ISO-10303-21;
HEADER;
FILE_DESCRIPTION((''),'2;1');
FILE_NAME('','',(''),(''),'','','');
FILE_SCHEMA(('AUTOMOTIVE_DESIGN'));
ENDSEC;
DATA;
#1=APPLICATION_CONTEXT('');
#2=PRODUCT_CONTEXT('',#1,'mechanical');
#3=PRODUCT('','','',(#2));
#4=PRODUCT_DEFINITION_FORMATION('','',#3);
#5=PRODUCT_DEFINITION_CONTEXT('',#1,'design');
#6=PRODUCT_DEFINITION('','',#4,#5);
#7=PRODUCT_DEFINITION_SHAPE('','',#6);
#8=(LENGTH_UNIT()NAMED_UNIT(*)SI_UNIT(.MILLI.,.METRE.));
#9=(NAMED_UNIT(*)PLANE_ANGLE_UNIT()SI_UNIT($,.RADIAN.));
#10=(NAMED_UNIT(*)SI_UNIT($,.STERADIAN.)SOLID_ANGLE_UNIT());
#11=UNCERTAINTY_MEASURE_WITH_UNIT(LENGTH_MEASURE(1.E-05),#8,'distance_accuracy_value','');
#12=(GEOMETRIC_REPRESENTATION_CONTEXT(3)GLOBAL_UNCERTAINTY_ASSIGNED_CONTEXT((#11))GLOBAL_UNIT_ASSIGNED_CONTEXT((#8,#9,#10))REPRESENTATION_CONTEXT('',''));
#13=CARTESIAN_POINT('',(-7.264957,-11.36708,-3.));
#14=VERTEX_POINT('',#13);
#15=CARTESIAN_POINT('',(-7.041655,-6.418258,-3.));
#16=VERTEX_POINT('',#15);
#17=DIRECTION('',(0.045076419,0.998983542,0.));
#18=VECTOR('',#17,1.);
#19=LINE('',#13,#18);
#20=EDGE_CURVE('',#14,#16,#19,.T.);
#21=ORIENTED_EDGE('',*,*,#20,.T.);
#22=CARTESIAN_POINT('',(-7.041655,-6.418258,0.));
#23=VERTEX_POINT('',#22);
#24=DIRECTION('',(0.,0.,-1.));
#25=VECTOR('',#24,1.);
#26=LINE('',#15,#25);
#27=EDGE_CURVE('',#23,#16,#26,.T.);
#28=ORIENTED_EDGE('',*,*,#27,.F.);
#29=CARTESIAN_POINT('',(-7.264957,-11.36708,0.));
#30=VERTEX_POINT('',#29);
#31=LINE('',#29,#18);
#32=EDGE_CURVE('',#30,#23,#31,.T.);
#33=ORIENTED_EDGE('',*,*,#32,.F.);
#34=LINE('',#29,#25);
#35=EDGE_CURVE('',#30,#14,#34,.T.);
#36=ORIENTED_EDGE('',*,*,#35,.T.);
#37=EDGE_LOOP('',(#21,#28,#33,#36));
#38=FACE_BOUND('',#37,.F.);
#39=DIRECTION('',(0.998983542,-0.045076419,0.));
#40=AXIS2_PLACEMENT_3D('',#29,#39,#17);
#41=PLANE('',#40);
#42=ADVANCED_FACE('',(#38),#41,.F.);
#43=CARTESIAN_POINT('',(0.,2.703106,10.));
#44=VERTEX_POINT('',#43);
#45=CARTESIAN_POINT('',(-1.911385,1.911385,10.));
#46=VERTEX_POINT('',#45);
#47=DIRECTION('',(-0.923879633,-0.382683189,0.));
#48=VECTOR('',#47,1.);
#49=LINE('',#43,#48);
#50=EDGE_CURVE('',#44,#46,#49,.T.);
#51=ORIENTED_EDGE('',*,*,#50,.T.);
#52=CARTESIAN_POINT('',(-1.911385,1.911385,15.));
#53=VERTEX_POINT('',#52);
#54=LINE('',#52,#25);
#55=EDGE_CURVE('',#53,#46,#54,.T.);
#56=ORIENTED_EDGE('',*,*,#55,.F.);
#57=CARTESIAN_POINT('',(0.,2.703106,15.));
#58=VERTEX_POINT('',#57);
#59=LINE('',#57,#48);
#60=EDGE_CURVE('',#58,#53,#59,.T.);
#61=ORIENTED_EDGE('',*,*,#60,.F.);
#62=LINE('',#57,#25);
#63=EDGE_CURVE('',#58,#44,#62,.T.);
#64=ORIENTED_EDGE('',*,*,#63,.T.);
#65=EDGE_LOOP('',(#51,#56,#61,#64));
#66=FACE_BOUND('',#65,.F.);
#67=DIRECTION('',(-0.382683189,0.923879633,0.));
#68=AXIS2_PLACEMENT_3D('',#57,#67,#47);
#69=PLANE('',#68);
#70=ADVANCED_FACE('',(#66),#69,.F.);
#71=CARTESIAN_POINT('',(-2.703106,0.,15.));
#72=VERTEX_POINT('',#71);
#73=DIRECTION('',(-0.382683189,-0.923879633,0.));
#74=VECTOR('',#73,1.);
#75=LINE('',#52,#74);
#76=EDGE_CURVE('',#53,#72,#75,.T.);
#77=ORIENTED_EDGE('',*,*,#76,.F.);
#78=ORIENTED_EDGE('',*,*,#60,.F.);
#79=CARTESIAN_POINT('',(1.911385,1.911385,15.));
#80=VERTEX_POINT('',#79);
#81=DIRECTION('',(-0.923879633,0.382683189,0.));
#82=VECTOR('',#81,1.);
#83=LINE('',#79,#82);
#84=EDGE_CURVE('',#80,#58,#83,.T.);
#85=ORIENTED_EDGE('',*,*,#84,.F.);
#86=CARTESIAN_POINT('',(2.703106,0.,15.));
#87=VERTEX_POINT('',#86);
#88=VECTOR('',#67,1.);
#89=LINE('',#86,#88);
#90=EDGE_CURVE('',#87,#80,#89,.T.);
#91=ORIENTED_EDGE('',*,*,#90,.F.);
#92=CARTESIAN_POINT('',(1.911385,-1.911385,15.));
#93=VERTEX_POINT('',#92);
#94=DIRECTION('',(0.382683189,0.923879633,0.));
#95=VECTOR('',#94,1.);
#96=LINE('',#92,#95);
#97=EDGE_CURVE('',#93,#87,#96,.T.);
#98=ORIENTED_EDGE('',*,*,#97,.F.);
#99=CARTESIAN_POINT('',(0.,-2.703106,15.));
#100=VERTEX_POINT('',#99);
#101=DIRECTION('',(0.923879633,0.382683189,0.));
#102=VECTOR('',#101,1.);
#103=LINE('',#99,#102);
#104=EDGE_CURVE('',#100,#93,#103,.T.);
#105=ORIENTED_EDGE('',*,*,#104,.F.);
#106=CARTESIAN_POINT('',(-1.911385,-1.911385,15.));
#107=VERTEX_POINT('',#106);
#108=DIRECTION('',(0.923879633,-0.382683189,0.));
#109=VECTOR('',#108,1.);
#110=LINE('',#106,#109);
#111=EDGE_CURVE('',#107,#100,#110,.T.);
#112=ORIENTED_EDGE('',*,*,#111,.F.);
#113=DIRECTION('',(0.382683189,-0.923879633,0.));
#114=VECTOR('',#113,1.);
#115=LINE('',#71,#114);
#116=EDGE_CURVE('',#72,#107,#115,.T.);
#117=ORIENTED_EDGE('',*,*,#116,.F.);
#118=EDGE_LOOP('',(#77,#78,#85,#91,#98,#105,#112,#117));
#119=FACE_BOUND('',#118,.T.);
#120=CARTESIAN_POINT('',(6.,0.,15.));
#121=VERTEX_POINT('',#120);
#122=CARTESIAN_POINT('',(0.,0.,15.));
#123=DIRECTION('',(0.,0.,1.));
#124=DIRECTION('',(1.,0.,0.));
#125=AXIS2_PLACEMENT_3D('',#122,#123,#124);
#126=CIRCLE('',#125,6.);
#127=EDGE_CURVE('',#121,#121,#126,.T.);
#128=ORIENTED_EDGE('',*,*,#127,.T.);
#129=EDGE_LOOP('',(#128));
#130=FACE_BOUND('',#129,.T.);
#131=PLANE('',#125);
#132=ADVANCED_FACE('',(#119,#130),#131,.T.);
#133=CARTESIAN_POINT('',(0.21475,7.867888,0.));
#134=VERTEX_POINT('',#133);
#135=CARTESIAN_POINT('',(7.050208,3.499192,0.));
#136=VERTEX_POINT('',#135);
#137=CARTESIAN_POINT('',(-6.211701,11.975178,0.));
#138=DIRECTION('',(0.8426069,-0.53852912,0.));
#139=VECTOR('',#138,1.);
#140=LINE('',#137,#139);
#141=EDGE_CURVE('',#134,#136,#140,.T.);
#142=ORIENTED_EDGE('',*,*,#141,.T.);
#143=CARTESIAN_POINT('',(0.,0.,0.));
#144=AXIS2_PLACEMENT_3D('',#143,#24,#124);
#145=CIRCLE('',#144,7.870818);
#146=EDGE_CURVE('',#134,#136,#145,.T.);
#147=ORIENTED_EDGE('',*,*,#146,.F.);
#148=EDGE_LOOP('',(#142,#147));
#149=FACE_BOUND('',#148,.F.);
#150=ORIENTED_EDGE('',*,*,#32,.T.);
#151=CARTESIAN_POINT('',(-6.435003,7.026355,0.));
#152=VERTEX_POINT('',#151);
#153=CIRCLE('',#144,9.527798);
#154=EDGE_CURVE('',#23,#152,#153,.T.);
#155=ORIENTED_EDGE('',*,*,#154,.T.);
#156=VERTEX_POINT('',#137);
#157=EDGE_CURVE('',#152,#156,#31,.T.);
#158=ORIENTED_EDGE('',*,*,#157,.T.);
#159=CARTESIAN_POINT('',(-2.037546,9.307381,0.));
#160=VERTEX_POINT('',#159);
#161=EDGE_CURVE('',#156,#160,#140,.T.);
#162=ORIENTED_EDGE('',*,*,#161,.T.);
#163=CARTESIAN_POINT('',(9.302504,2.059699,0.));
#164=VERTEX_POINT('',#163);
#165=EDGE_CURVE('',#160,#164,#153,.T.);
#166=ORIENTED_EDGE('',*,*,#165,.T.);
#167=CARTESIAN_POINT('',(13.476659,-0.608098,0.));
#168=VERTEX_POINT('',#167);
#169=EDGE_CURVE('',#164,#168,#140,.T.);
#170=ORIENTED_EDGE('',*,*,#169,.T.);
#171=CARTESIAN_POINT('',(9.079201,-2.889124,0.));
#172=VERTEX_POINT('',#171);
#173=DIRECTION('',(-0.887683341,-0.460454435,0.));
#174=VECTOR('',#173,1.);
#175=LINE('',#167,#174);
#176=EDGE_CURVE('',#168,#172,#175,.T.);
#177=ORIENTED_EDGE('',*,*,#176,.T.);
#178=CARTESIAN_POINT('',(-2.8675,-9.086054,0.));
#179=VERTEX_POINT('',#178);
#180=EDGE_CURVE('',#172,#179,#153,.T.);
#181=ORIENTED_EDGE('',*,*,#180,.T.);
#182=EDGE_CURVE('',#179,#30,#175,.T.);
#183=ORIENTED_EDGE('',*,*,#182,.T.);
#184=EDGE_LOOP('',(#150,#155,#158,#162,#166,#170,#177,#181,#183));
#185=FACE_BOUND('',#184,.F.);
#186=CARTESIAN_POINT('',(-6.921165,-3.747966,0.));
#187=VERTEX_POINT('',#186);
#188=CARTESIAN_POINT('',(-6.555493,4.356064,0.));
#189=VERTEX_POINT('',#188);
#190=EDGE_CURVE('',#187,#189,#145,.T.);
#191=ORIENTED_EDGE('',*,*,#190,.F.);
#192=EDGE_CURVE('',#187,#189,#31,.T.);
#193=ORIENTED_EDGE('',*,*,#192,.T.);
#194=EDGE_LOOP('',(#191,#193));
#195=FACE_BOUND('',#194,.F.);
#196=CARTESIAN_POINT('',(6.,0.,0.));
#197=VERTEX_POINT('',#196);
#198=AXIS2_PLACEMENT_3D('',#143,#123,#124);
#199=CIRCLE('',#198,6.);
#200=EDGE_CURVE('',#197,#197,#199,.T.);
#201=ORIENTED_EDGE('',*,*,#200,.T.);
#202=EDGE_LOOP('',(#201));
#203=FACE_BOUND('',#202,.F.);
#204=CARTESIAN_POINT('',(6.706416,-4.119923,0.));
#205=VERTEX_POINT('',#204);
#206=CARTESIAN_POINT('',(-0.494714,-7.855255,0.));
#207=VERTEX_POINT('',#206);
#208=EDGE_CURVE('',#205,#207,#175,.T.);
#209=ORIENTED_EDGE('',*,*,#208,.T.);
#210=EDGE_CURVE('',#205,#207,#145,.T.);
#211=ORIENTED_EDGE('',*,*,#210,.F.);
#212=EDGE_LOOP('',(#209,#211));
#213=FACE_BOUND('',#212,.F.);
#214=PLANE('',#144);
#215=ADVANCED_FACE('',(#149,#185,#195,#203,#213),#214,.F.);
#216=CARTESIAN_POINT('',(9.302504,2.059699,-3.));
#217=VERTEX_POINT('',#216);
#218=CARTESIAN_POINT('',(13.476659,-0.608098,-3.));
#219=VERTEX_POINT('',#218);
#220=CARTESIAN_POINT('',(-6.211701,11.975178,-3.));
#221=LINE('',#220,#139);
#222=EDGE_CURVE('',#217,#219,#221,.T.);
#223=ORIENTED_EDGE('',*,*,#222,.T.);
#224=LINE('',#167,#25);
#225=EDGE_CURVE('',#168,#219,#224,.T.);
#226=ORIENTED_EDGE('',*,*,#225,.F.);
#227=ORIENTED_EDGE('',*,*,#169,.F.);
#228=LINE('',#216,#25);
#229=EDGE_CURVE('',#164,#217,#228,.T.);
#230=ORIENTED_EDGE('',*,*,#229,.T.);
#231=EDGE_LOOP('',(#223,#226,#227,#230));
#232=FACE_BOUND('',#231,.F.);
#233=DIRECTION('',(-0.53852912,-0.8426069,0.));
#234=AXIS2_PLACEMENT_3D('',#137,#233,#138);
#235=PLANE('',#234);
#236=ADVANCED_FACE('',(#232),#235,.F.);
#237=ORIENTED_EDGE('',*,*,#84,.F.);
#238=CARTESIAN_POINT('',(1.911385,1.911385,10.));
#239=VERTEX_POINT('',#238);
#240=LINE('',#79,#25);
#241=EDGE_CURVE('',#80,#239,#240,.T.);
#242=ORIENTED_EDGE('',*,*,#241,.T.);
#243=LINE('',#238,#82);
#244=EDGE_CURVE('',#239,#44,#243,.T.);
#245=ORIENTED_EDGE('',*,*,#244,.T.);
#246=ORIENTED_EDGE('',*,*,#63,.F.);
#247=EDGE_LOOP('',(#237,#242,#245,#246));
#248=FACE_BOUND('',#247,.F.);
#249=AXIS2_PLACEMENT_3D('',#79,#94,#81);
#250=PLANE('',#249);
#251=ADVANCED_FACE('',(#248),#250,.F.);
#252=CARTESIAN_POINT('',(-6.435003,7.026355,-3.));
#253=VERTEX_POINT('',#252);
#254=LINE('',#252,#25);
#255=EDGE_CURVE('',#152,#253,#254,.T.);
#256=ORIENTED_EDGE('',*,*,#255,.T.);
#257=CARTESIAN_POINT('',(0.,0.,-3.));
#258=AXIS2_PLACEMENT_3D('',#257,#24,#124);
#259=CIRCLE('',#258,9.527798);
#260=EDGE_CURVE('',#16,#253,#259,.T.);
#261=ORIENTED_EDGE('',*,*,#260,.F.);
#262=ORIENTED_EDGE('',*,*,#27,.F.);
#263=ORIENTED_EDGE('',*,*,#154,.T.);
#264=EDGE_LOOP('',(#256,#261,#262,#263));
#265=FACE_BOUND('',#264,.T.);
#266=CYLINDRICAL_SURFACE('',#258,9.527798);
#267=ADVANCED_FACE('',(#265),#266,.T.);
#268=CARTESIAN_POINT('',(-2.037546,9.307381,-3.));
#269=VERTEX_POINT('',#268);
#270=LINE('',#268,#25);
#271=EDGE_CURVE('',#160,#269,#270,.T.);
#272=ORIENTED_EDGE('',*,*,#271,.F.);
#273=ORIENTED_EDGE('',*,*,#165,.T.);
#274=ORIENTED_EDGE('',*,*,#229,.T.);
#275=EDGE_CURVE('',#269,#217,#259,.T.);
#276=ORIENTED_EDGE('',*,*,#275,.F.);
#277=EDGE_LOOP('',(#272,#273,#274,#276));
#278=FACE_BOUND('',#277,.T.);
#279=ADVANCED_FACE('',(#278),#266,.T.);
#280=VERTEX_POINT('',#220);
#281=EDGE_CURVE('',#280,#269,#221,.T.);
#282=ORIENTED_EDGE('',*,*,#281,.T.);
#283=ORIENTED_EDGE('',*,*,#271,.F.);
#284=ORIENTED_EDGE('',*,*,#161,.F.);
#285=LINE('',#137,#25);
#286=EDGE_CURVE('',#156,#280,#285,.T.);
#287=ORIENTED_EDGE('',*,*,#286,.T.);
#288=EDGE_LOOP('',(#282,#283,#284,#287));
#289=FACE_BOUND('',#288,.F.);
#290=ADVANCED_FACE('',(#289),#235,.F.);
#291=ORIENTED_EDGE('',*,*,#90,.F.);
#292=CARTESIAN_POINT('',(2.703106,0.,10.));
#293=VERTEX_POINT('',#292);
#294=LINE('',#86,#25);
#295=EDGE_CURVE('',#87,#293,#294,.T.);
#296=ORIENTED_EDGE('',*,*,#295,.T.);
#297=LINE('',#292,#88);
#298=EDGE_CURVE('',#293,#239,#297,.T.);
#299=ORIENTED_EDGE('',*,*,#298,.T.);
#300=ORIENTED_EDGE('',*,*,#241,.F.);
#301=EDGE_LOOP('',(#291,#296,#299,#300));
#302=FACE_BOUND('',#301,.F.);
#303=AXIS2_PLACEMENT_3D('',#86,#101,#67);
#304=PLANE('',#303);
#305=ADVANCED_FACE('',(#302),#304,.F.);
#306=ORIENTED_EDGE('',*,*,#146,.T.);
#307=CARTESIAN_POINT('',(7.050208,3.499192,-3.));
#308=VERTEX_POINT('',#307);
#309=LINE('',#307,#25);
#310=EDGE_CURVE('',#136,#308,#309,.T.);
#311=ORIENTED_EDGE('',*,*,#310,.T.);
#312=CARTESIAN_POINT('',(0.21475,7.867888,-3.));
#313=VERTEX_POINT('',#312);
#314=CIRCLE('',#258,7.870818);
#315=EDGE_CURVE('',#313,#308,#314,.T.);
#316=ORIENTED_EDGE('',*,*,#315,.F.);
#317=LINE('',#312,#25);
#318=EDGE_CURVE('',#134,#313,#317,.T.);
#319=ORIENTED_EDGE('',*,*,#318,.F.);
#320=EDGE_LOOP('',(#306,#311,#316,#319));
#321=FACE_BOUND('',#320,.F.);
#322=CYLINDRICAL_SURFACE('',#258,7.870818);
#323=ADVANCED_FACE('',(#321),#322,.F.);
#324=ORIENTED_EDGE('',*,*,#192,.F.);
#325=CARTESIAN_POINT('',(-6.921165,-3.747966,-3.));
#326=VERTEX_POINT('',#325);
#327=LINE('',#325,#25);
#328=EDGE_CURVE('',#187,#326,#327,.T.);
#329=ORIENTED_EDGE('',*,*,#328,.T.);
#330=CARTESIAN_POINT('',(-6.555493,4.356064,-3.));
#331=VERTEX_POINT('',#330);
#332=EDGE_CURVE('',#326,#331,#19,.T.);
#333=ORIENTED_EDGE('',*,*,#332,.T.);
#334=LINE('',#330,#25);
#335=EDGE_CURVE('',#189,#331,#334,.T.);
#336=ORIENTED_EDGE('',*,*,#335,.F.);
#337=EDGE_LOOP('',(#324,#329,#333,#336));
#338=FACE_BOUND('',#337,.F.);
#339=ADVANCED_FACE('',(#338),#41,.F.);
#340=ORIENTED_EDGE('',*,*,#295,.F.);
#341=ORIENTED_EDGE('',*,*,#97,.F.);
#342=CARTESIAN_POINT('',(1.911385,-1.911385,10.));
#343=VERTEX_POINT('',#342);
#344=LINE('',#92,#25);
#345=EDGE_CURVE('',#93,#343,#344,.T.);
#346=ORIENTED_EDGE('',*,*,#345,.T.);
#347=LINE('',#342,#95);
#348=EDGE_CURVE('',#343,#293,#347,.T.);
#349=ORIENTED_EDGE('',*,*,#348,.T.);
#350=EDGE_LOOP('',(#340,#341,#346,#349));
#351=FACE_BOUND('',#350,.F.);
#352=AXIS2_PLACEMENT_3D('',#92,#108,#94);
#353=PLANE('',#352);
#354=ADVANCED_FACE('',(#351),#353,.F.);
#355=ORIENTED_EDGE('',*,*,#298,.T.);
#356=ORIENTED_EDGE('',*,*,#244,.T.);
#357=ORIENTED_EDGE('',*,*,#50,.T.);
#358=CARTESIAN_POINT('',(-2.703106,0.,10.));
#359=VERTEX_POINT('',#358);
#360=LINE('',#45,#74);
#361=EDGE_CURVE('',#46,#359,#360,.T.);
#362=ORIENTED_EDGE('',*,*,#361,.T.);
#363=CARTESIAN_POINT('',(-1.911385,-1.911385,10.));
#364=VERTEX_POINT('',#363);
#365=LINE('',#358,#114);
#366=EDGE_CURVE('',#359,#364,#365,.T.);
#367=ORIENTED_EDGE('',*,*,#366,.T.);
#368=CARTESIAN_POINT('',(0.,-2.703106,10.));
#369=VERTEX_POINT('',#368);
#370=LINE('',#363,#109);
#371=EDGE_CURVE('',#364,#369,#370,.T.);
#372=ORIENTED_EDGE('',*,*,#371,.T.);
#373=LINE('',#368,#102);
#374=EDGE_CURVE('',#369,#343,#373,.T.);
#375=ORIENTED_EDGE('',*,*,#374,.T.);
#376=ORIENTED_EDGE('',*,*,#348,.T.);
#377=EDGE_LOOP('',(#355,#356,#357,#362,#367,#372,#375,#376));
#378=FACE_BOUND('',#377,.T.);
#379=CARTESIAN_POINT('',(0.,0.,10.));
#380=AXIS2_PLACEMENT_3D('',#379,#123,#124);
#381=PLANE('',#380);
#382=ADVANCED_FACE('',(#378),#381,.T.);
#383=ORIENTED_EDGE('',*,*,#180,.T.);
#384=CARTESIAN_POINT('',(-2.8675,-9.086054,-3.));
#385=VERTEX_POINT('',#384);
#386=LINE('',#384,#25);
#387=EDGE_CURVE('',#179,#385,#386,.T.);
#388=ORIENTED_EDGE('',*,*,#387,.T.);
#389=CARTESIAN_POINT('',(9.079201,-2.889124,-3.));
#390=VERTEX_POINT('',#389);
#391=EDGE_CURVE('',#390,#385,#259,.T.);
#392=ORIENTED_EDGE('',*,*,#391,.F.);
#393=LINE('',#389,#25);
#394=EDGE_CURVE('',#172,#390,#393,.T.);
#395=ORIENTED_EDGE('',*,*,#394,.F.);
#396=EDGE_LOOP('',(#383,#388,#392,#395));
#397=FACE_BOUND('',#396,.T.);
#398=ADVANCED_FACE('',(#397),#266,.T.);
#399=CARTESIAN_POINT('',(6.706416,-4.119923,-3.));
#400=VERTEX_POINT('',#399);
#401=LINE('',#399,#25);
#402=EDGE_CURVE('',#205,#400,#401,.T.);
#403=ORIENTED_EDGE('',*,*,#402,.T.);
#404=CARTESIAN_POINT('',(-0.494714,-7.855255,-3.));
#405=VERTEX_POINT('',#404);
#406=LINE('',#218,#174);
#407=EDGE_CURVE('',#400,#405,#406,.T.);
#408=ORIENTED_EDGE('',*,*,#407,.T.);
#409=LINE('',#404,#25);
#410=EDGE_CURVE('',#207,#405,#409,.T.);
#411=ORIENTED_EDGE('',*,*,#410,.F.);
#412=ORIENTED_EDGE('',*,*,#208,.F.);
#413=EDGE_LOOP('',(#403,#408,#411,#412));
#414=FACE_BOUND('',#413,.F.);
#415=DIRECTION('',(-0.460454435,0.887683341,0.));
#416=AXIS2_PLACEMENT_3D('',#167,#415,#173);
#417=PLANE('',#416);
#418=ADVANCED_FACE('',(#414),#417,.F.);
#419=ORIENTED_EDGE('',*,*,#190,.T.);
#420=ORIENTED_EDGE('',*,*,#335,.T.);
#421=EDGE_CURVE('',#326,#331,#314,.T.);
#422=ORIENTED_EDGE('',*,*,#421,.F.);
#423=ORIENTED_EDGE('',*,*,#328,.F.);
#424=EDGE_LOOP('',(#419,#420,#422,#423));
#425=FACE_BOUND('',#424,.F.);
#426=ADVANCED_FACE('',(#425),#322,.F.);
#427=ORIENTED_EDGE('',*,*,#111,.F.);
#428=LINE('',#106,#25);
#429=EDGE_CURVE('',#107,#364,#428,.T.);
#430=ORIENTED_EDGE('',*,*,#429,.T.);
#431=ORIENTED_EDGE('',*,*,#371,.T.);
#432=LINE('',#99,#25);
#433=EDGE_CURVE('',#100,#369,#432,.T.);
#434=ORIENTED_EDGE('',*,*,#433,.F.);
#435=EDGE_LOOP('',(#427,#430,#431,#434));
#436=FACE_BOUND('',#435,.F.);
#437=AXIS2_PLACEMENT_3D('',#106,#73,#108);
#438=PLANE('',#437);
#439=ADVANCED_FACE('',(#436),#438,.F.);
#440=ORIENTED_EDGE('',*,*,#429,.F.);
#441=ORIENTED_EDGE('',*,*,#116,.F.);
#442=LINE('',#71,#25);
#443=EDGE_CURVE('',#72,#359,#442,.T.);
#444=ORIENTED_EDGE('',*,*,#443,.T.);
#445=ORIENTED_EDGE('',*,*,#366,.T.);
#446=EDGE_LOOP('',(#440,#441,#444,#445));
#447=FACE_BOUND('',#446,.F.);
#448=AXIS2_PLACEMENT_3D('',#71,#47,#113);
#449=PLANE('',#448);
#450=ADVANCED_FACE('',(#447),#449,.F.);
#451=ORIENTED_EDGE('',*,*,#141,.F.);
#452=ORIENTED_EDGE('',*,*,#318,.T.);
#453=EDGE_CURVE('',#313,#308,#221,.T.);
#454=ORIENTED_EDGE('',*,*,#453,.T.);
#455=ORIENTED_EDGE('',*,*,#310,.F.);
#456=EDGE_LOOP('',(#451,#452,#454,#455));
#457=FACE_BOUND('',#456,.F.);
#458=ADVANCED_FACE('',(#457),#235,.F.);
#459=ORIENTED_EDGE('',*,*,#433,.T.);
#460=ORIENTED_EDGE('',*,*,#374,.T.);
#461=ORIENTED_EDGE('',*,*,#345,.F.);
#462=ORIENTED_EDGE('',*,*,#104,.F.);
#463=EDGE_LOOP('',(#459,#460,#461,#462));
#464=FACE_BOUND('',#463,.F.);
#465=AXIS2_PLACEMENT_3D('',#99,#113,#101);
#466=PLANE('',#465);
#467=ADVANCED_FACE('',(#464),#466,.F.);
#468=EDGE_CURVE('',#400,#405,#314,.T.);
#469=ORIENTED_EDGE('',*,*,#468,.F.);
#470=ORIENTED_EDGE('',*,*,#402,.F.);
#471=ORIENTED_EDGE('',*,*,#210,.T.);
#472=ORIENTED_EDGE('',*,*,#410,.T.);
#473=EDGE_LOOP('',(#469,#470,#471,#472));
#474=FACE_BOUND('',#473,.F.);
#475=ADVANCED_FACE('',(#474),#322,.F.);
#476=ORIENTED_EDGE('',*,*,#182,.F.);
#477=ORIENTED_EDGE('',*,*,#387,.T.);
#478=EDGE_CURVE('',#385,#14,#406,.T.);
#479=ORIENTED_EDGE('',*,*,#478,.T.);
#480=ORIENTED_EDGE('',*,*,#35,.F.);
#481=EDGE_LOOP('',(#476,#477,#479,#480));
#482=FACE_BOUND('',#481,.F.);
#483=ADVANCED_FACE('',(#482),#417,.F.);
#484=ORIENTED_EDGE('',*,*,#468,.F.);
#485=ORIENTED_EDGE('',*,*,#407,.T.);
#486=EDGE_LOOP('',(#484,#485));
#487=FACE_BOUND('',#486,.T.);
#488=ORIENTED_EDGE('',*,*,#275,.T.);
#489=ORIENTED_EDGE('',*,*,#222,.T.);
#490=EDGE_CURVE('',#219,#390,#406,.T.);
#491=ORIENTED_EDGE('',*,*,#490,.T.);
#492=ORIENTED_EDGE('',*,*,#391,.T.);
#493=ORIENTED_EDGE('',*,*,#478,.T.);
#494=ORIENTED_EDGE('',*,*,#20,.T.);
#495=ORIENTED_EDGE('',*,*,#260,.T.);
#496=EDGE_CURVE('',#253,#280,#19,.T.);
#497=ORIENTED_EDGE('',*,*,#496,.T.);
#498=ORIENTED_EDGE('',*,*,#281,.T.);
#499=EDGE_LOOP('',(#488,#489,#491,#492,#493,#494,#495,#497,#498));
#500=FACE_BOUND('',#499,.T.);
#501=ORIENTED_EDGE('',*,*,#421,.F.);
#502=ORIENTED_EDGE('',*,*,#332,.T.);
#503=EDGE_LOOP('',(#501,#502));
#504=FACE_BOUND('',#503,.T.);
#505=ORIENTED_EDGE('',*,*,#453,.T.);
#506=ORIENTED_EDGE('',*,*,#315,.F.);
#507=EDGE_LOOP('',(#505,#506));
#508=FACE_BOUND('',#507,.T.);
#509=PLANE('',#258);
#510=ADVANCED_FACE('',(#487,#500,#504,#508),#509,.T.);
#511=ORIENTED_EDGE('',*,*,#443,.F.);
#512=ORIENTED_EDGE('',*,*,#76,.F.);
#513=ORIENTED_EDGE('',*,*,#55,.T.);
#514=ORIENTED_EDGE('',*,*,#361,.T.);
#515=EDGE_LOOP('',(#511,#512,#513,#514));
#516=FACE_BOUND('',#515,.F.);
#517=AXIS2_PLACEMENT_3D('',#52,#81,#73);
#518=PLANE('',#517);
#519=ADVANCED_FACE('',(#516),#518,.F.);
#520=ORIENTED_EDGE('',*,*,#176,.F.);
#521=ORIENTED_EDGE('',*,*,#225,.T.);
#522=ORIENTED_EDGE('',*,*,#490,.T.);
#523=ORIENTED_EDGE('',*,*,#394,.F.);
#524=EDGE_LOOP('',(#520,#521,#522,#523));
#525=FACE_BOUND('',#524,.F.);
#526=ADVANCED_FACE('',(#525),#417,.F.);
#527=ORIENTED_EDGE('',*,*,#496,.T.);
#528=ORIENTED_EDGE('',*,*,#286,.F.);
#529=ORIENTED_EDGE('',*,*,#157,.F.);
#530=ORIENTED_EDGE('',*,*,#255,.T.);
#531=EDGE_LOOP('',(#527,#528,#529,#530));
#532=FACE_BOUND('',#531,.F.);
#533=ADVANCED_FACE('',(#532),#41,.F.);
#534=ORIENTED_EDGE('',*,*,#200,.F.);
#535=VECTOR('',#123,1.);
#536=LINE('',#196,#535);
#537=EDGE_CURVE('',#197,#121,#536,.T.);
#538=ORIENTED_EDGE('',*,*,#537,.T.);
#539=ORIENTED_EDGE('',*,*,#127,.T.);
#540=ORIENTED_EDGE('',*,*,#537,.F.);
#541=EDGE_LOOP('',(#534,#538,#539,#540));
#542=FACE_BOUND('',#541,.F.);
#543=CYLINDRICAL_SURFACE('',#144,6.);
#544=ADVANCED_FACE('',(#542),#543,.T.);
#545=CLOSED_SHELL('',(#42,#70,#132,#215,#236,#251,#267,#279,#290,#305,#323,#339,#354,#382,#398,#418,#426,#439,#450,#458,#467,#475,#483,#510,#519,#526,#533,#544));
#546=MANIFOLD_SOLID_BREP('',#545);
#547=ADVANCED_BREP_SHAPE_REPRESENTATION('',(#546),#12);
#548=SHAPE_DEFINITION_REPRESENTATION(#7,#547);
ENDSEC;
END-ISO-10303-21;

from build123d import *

# Parameters (mm, degrees)
F0_R     = 6
F1_DEPTH = 15
F3_DEPTH = 5
F5_DEPTH = 3
F6_R     = 9.527798
F6_R_2   = 7.870818
F7_DEPTH = 3


with BuildPart() as f1:
    # F0 (on Top) → F1 (new body)
    with BuildSketch(Plane.XY):
        Circle(F0_R)
    extrude(amount=F1_DEPTH)

    # F2 (on face) → F3 (cut)
    with BuildSketch(Plane.XY.offset(15)):
        Polygon((1.911385, 1.911385), (0, 2.703106), (-1.911385, 1.911385), (-2.703106, 0), (-1.911385, -1.911385), (0, -2.703106), (1.911385, -1.911385), (2.703106, 0), align=None)
    extrude(amount=-F3_DEPTH, mode=Mode.SUBTRACT)

    # F4 (on face) → F5 (join)
    with BuildSketch(Plane(origin=(0, 0, 0), x_dir=(1, 0, 0), z_dir=(0, 0, -1))):
        Polygon((-6.211701, -11.975178), (13.476659, 0.608098), (-7.264957, 11.36708), align=None)
    extrude(amount=F5_DEPTH)

    # F6 (on face) → F7 (join)
    with BuildSketch(Plane(origin=(0, 0, -3), x_dir=(1, 0, 0), z_dir=(0, 0, -1))):
        Circle(F6_R)
        Circle(F6_R_2, mode=Mode.SUBTRACT)
    extrude(amount=-F7_DEPTH)


solid = f1.part
